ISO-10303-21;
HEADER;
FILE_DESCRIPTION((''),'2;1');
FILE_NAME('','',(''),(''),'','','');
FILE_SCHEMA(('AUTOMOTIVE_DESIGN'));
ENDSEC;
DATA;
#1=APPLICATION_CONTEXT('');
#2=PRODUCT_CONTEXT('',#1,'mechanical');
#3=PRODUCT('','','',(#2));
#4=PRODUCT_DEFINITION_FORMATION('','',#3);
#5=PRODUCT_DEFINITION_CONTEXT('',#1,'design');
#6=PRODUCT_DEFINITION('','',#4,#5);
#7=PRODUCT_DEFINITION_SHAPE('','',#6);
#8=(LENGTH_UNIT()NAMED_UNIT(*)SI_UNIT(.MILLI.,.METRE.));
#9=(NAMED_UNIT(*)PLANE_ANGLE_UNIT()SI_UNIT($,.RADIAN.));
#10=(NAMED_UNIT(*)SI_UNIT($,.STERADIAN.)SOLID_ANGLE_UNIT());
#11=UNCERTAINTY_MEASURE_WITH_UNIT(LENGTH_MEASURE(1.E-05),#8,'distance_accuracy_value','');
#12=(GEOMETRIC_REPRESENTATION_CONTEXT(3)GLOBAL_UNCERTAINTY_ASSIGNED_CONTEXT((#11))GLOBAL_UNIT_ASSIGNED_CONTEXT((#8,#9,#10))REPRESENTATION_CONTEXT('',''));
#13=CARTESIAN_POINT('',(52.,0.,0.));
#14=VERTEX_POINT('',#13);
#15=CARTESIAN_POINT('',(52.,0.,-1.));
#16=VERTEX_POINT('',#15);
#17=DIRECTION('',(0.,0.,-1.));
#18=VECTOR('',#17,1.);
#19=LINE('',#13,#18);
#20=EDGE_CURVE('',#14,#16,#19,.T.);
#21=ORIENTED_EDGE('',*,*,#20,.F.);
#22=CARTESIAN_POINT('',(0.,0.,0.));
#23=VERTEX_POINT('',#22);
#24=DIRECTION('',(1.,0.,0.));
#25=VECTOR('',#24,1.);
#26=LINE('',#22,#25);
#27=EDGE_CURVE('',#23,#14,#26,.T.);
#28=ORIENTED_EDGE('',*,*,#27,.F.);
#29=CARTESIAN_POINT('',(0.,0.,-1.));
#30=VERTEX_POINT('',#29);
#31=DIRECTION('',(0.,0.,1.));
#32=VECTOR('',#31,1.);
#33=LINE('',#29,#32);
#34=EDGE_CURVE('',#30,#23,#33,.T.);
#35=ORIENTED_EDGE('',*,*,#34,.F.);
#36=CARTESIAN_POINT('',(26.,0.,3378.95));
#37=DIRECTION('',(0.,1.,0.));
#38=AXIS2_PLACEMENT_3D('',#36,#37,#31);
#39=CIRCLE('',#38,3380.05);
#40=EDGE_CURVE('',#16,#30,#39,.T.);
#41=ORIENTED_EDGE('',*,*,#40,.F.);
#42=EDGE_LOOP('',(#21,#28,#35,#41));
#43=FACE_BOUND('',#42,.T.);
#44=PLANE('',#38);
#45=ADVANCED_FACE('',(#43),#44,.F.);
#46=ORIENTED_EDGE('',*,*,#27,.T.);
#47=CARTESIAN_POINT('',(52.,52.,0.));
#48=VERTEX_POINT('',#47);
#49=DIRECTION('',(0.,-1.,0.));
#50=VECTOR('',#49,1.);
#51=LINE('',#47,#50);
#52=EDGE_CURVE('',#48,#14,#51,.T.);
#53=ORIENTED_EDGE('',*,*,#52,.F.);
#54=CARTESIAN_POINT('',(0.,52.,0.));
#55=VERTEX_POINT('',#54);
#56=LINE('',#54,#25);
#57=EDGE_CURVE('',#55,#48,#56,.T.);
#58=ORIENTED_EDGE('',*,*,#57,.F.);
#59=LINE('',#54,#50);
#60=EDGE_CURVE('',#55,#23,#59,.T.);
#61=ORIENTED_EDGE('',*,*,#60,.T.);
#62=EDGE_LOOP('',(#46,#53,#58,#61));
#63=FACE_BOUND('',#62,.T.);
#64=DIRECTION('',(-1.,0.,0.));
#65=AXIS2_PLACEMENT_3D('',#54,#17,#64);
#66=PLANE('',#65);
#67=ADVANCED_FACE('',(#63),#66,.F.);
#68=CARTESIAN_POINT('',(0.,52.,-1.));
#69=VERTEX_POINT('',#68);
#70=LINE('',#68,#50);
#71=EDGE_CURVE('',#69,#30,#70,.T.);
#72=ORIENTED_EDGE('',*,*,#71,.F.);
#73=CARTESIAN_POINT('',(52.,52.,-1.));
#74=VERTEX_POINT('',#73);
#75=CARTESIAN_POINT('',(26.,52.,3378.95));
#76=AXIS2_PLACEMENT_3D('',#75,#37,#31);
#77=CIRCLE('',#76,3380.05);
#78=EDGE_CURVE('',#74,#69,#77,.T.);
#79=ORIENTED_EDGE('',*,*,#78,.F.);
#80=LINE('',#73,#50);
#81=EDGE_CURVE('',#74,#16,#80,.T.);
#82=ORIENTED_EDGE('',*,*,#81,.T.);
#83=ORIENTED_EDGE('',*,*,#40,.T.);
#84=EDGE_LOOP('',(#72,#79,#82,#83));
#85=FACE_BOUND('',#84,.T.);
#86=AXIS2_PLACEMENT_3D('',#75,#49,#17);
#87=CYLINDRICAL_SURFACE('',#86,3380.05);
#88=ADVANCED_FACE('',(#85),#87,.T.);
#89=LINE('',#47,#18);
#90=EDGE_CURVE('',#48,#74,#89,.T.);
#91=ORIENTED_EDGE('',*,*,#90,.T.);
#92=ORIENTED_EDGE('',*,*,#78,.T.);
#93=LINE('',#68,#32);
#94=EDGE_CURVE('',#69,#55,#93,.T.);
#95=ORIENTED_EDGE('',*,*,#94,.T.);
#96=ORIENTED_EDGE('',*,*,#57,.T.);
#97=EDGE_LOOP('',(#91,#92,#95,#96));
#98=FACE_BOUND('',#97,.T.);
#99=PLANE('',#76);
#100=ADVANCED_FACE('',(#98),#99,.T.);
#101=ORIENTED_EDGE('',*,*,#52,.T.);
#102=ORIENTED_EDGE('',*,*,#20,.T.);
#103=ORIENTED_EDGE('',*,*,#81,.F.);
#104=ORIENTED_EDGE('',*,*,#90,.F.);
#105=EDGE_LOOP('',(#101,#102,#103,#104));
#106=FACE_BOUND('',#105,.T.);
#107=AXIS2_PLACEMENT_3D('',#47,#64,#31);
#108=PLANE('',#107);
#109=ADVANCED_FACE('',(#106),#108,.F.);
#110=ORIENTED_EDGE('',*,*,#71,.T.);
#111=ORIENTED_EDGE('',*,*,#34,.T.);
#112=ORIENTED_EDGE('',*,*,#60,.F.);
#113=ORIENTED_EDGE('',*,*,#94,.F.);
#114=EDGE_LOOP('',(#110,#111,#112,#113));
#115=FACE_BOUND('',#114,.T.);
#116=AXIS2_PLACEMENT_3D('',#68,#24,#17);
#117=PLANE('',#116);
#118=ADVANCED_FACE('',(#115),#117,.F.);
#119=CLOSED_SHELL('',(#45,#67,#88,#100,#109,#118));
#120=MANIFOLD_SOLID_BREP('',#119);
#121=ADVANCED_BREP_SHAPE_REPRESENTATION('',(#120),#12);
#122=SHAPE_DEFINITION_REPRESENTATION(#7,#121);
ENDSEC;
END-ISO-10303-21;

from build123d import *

# Parameters (mm, degrees)
BOSS_EXTRUDE1_DEPTH = 52


with BuildPart() as part:
    # Sketch1 → Boss-Extrude1 (new body)
    with BuildSketch(Plane(origin=(0, 0, 0), x_dir=(1, 0, 0), z_dir=(0, 1, 0))):
        with BuildLine():
            Line((0, 0), (52, 0))
            Line((52, 0), (52, 1))
            ThreePointArc((52, 1), (26, 1.1), (0, 1))
            Line((0, 1), (0, 0))
        make_face()
    extrude(amount=BOSS_EXTRUDE1_DEPTH)


solid = part.part
